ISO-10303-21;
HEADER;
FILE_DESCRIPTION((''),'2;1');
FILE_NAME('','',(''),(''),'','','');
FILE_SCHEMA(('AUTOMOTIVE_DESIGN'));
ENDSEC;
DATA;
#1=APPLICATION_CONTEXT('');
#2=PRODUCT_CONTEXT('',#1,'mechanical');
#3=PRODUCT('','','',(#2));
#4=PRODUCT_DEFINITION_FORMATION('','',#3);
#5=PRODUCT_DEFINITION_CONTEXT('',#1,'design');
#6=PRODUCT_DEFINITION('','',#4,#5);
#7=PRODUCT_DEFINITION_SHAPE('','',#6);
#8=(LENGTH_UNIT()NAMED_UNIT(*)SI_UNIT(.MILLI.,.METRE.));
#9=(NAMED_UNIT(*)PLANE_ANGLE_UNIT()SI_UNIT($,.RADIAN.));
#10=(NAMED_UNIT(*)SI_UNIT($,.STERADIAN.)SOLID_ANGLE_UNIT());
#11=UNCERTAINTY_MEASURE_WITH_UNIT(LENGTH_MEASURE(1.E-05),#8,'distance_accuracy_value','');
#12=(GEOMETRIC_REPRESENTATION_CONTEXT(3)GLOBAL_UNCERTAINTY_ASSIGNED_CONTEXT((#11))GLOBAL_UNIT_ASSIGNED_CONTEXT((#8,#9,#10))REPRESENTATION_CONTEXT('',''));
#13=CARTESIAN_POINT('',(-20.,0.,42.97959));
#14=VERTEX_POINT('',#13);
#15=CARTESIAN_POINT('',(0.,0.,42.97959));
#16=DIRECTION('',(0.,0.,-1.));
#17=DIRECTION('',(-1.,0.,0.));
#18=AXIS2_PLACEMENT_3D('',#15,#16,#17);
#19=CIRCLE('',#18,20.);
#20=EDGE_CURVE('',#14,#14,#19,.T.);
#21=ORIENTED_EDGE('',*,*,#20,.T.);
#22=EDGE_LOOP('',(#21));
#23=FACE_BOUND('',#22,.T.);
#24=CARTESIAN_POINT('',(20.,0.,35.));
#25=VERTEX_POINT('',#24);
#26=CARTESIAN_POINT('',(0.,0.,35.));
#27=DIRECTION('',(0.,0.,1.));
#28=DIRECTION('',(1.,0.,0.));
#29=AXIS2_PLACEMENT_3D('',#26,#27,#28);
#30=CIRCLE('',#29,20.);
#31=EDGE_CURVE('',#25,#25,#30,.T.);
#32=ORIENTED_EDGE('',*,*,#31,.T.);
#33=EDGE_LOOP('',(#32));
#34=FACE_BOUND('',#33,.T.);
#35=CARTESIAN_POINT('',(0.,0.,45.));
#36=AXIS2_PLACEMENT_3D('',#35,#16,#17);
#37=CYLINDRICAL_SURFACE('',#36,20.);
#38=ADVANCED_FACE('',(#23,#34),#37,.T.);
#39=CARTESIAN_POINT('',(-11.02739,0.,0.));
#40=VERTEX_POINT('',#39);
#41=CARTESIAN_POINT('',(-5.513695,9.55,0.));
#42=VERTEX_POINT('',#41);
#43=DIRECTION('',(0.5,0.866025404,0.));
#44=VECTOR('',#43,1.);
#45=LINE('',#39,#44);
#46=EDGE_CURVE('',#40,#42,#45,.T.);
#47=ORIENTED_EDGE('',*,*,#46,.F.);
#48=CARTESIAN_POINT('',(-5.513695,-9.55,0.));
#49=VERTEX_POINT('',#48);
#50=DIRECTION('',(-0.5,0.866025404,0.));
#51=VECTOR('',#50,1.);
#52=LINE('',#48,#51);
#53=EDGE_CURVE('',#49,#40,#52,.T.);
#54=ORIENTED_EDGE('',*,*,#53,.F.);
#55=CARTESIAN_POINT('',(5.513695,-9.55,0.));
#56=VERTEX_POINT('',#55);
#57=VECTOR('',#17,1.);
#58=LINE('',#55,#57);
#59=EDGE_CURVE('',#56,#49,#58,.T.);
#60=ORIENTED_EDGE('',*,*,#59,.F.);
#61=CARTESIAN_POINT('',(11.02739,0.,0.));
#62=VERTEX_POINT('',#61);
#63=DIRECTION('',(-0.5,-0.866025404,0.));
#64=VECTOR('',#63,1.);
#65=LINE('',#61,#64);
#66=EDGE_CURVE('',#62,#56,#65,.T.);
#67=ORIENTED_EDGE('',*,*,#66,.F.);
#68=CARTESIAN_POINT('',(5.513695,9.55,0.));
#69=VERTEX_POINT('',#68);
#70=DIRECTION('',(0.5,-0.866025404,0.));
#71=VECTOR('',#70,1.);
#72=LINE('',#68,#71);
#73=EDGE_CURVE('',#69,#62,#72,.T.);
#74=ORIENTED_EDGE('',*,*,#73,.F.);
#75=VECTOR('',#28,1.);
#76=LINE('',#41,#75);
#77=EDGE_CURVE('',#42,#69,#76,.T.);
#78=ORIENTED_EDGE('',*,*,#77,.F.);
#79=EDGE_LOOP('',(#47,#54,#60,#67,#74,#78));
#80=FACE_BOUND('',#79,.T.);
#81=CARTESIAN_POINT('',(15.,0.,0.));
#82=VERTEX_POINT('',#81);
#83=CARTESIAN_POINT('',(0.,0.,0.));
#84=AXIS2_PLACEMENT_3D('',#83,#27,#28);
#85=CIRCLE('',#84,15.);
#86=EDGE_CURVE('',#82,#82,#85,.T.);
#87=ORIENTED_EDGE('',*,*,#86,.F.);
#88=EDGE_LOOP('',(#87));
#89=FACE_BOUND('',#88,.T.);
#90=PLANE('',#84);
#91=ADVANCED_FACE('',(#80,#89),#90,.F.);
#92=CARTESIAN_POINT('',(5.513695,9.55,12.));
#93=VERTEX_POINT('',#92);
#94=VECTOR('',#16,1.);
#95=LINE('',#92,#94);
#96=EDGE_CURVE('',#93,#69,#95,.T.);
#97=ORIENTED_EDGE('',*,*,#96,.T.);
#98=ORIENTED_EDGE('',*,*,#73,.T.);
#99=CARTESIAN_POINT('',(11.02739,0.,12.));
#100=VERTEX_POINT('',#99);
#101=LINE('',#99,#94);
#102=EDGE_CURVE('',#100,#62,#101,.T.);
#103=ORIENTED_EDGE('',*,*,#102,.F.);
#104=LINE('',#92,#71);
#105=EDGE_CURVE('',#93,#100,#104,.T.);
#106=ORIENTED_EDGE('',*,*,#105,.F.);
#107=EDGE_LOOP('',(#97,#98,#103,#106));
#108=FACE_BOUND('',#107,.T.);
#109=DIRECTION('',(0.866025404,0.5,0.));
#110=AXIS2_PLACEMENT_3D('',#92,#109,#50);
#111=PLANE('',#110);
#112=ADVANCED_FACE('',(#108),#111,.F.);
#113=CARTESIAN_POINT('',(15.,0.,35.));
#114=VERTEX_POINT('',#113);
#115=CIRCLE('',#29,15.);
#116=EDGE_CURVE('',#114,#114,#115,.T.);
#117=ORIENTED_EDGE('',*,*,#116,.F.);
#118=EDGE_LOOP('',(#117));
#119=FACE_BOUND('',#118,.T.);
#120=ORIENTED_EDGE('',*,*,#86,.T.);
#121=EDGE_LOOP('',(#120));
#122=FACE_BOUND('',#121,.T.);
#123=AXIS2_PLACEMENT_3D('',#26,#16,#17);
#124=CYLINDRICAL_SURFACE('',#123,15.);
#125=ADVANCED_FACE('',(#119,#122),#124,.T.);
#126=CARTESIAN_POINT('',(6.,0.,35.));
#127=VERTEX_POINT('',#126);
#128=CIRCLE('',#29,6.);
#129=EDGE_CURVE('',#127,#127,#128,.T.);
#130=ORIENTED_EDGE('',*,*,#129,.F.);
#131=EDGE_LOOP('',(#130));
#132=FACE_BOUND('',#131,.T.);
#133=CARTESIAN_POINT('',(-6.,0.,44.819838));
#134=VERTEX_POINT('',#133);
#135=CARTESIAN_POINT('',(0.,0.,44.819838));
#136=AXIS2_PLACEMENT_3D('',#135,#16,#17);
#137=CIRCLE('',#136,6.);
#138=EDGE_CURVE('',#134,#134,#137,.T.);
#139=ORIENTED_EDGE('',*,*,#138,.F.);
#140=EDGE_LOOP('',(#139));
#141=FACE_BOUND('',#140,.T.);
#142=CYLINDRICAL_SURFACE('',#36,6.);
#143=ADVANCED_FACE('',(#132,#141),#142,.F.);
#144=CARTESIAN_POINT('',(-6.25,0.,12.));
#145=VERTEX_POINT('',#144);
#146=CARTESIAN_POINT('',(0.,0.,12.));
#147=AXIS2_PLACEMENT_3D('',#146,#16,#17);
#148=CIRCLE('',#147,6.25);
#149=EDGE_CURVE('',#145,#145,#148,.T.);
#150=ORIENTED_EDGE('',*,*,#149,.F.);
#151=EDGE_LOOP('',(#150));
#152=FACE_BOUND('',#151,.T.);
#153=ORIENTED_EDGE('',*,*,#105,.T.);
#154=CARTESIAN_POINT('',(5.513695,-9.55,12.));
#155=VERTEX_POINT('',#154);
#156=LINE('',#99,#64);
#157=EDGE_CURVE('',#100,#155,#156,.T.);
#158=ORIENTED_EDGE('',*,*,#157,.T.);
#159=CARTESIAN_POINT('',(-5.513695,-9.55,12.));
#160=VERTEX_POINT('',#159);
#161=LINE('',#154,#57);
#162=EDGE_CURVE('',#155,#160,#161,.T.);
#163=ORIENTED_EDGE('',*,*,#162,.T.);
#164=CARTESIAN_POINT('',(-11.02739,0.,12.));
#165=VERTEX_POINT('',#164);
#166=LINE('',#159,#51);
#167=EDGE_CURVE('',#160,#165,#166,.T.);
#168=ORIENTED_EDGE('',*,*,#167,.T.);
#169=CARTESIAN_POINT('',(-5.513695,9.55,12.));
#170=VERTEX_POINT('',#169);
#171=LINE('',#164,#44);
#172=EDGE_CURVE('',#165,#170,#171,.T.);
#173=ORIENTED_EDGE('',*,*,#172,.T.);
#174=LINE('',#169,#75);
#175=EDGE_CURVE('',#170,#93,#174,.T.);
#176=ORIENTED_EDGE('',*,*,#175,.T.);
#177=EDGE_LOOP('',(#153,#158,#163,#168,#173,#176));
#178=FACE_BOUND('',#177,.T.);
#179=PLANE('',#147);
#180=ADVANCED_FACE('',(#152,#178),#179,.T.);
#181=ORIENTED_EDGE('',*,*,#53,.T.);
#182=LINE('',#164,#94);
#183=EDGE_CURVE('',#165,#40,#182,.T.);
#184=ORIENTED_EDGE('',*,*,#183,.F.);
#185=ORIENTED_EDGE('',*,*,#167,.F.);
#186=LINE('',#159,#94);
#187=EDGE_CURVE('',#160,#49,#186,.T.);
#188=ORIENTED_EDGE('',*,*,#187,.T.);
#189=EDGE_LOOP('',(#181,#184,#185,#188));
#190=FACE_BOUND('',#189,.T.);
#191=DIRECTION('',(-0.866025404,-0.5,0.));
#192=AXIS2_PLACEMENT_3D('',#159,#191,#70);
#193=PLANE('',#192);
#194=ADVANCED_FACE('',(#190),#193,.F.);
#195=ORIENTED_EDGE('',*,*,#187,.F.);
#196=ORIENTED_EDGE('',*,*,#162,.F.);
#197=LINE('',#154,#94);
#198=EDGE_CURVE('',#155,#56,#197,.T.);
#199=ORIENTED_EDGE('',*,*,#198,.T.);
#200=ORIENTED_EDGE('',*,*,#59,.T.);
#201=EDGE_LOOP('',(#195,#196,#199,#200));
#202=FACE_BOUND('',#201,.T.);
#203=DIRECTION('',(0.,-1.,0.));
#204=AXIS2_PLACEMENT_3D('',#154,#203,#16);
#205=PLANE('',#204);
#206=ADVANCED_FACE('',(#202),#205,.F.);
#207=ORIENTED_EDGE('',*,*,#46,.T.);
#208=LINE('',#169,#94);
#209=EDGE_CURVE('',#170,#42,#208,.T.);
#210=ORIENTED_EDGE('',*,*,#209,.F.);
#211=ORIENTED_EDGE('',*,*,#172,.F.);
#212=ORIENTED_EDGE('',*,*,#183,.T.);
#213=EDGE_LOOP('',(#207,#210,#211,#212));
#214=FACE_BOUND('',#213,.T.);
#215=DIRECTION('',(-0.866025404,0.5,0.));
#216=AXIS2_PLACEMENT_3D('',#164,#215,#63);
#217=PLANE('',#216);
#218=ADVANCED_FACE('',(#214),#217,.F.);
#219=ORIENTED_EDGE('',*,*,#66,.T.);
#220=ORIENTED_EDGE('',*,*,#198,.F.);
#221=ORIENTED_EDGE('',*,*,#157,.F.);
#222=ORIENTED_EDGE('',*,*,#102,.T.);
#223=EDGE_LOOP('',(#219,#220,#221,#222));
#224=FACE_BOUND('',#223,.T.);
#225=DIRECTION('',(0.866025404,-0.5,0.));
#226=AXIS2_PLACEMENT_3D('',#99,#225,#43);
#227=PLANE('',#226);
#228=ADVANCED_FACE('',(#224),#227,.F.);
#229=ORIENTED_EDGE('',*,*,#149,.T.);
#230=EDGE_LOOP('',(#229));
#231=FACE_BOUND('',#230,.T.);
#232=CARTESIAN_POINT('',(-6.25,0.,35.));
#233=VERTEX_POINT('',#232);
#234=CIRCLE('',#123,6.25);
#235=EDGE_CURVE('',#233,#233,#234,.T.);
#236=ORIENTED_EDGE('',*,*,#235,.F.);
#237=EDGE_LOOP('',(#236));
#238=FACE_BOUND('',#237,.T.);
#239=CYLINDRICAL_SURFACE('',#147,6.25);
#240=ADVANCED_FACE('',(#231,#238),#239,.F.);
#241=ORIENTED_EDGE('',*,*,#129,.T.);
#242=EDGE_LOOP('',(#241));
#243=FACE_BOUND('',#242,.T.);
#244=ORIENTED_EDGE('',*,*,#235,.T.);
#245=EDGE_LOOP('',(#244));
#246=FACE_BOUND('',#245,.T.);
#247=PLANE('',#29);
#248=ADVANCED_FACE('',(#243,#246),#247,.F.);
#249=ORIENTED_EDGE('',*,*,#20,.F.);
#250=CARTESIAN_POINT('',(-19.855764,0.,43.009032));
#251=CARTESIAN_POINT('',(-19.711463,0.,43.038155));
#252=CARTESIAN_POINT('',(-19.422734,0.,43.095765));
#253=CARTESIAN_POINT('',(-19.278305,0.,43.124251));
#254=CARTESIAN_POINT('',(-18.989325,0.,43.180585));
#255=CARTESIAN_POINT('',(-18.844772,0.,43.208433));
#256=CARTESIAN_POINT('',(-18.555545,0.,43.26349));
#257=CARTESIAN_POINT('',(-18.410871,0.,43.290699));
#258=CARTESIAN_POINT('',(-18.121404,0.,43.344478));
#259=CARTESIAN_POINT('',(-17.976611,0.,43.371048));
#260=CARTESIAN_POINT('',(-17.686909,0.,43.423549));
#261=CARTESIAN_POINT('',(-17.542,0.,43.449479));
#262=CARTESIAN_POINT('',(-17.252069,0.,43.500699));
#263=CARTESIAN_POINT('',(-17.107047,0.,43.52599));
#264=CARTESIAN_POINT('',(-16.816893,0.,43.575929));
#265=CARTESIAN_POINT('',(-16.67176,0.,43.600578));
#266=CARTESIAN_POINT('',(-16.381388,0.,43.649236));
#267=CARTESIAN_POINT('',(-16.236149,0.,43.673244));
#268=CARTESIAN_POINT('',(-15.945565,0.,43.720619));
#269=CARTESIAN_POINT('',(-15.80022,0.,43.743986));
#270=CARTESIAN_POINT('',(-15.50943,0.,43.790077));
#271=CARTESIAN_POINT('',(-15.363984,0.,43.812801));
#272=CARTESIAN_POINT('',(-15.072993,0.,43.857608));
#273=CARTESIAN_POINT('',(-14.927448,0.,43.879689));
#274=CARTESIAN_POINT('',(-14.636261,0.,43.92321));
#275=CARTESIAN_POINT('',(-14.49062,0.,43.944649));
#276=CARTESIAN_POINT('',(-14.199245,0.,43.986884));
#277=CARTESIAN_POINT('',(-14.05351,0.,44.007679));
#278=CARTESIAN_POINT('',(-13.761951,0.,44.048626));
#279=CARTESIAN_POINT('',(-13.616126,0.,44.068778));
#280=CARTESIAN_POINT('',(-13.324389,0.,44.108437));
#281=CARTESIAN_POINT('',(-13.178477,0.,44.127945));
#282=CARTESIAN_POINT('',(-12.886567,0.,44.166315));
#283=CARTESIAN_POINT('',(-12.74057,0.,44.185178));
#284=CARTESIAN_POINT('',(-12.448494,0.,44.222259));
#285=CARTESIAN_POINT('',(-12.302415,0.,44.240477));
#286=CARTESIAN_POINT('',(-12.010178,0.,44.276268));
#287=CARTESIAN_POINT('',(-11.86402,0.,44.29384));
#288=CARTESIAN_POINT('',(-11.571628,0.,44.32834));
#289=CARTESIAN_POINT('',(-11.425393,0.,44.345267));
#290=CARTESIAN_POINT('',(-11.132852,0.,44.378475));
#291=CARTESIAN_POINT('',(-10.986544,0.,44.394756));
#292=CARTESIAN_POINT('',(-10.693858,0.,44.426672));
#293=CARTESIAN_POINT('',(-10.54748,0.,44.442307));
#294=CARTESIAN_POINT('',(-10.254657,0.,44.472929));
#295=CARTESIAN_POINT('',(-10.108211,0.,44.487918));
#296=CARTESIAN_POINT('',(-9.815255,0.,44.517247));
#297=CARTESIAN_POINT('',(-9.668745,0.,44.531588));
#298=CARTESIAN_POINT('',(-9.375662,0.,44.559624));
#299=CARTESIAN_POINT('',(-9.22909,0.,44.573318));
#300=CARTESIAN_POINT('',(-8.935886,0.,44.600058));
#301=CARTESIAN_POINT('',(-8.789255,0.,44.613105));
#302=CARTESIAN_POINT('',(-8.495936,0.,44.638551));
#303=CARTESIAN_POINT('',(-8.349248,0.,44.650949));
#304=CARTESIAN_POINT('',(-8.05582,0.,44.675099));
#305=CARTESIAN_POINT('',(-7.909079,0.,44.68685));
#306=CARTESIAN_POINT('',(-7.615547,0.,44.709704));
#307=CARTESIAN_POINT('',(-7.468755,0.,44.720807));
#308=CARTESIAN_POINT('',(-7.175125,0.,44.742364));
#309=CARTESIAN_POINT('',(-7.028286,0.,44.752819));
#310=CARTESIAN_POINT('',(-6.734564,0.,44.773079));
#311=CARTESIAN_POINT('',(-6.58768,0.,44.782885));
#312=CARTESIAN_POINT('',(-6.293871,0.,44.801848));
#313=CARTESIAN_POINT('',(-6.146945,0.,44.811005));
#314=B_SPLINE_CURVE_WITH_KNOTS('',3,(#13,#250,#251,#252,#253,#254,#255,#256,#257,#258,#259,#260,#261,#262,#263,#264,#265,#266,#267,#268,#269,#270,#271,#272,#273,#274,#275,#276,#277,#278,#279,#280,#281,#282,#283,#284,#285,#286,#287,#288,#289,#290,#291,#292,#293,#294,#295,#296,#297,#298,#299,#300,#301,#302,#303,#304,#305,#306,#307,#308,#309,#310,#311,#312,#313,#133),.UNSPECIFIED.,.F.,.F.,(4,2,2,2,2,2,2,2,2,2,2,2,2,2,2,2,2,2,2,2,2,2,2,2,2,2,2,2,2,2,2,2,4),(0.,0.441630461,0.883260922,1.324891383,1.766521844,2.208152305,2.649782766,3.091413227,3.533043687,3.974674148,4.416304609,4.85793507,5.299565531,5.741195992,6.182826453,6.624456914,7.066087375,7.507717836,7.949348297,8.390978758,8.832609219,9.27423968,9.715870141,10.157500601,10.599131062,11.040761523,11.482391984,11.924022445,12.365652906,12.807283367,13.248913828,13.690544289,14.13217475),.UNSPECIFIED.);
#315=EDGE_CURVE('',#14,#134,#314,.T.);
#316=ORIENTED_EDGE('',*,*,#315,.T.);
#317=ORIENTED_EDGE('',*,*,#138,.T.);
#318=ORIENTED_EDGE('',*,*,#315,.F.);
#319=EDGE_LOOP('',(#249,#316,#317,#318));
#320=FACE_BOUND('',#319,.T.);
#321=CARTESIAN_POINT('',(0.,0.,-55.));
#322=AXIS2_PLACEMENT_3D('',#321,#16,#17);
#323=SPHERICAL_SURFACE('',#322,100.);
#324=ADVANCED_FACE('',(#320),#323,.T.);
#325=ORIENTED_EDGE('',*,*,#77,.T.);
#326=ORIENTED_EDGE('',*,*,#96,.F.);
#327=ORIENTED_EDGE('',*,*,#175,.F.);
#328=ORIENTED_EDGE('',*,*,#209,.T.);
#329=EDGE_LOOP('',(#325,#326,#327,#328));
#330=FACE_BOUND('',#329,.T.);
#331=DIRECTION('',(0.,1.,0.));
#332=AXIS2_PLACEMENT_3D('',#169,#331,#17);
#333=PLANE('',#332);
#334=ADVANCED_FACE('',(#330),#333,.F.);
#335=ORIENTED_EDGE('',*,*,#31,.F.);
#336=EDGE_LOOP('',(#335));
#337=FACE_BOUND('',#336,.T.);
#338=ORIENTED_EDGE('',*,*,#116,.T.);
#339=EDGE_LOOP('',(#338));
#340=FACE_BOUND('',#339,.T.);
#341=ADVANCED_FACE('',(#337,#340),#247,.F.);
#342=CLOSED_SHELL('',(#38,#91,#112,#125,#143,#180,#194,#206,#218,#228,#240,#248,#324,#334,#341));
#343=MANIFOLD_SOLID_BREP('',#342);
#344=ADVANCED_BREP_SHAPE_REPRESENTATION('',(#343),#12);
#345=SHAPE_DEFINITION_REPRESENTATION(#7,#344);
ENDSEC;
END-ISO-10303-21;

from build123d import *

# Parameters (mm, degrees)
SKETCH1_R                    = 15
BOSS_EXTRUDE1_DEPTH          = 35
CUT_EXTRUDE1_DEPTH           = 12
F_12_5_12_5_DIAMETER_HOLE1_D = 12.5
SKETCH10_R                   = 20
SKETCH10_R_2                 = 6
BOSS_EXTRUDE2_DEPTH          = 10


with BuildPart() as part:
    # Sketch1 → Boss-Extrude1 (new body)
    with BuildSketch(Plane.XY):
        Circle(SKETCH1_R)
    extrude(amount=BOSS_EXTRUDE1_DEPTH)

    # Sketch5 → Cut-Extrude1 (cut)
    with BuildSketch(Plane(origin=(0, 0, 0), x_dir=(-1, 0, 0), z_dir=(0, 0, -1))):
        Polygon((11.027390142, 0), (5.513695071, 9.55), (-5.513695071, 9.55), (-11.027390142, 0), (-5.513695071, -9.55), (5.513695071, -9.55), align=None)
    extrude(amount=-CUT_EXTRUDE1_DEPTH, mode=Mode.SUBTRACT)

    # Ø12.5 (12.5) Diameter Hole1 (through all)
    with Locations(Plane(origin=(0, 0, 12), x_dir=(-1, 0, 0), z_dir=(0, 0, -1))):
        with Locations((0, 0)):
            Hole(F_12_5_12_5_DIAMETER_HOLE1_D / 2)

    # Sketch10 → Boss-Extrude2 (add)
    with BuildSketch(Plane.XY.offset(35)):
        Circle(SKETCH10_R)
        Circle(SKETCH10_R_2, mode=Mode.SUBTRACT)
    extrude(amount=BOSS_EXTRUDE2_DEPTH)

    # Sketch11 → Cut-Revolve6 (revolve, cut)
    with BuildSketch(Plane(origin=(0, 0, 0), x_dir=(1, 0, 0), z_dir=(0, 1, 0))):
        with BuildLine():
            Line((-20, -42.979589711), (-20, -45))
            Line((-20, -45), (-6, -45))
            Line((-6, -45), (-6, -44.819837708))
            ThreePointArc((-6, -44.819837708), (-13.032521942, -44.147129922), (-20, -42.979589711))
        make_face()
    revolve(axis=Axis((0, 0, 0), (0, 0, 1)), mode=Mode.SUBTRACT)


solid = part.part
